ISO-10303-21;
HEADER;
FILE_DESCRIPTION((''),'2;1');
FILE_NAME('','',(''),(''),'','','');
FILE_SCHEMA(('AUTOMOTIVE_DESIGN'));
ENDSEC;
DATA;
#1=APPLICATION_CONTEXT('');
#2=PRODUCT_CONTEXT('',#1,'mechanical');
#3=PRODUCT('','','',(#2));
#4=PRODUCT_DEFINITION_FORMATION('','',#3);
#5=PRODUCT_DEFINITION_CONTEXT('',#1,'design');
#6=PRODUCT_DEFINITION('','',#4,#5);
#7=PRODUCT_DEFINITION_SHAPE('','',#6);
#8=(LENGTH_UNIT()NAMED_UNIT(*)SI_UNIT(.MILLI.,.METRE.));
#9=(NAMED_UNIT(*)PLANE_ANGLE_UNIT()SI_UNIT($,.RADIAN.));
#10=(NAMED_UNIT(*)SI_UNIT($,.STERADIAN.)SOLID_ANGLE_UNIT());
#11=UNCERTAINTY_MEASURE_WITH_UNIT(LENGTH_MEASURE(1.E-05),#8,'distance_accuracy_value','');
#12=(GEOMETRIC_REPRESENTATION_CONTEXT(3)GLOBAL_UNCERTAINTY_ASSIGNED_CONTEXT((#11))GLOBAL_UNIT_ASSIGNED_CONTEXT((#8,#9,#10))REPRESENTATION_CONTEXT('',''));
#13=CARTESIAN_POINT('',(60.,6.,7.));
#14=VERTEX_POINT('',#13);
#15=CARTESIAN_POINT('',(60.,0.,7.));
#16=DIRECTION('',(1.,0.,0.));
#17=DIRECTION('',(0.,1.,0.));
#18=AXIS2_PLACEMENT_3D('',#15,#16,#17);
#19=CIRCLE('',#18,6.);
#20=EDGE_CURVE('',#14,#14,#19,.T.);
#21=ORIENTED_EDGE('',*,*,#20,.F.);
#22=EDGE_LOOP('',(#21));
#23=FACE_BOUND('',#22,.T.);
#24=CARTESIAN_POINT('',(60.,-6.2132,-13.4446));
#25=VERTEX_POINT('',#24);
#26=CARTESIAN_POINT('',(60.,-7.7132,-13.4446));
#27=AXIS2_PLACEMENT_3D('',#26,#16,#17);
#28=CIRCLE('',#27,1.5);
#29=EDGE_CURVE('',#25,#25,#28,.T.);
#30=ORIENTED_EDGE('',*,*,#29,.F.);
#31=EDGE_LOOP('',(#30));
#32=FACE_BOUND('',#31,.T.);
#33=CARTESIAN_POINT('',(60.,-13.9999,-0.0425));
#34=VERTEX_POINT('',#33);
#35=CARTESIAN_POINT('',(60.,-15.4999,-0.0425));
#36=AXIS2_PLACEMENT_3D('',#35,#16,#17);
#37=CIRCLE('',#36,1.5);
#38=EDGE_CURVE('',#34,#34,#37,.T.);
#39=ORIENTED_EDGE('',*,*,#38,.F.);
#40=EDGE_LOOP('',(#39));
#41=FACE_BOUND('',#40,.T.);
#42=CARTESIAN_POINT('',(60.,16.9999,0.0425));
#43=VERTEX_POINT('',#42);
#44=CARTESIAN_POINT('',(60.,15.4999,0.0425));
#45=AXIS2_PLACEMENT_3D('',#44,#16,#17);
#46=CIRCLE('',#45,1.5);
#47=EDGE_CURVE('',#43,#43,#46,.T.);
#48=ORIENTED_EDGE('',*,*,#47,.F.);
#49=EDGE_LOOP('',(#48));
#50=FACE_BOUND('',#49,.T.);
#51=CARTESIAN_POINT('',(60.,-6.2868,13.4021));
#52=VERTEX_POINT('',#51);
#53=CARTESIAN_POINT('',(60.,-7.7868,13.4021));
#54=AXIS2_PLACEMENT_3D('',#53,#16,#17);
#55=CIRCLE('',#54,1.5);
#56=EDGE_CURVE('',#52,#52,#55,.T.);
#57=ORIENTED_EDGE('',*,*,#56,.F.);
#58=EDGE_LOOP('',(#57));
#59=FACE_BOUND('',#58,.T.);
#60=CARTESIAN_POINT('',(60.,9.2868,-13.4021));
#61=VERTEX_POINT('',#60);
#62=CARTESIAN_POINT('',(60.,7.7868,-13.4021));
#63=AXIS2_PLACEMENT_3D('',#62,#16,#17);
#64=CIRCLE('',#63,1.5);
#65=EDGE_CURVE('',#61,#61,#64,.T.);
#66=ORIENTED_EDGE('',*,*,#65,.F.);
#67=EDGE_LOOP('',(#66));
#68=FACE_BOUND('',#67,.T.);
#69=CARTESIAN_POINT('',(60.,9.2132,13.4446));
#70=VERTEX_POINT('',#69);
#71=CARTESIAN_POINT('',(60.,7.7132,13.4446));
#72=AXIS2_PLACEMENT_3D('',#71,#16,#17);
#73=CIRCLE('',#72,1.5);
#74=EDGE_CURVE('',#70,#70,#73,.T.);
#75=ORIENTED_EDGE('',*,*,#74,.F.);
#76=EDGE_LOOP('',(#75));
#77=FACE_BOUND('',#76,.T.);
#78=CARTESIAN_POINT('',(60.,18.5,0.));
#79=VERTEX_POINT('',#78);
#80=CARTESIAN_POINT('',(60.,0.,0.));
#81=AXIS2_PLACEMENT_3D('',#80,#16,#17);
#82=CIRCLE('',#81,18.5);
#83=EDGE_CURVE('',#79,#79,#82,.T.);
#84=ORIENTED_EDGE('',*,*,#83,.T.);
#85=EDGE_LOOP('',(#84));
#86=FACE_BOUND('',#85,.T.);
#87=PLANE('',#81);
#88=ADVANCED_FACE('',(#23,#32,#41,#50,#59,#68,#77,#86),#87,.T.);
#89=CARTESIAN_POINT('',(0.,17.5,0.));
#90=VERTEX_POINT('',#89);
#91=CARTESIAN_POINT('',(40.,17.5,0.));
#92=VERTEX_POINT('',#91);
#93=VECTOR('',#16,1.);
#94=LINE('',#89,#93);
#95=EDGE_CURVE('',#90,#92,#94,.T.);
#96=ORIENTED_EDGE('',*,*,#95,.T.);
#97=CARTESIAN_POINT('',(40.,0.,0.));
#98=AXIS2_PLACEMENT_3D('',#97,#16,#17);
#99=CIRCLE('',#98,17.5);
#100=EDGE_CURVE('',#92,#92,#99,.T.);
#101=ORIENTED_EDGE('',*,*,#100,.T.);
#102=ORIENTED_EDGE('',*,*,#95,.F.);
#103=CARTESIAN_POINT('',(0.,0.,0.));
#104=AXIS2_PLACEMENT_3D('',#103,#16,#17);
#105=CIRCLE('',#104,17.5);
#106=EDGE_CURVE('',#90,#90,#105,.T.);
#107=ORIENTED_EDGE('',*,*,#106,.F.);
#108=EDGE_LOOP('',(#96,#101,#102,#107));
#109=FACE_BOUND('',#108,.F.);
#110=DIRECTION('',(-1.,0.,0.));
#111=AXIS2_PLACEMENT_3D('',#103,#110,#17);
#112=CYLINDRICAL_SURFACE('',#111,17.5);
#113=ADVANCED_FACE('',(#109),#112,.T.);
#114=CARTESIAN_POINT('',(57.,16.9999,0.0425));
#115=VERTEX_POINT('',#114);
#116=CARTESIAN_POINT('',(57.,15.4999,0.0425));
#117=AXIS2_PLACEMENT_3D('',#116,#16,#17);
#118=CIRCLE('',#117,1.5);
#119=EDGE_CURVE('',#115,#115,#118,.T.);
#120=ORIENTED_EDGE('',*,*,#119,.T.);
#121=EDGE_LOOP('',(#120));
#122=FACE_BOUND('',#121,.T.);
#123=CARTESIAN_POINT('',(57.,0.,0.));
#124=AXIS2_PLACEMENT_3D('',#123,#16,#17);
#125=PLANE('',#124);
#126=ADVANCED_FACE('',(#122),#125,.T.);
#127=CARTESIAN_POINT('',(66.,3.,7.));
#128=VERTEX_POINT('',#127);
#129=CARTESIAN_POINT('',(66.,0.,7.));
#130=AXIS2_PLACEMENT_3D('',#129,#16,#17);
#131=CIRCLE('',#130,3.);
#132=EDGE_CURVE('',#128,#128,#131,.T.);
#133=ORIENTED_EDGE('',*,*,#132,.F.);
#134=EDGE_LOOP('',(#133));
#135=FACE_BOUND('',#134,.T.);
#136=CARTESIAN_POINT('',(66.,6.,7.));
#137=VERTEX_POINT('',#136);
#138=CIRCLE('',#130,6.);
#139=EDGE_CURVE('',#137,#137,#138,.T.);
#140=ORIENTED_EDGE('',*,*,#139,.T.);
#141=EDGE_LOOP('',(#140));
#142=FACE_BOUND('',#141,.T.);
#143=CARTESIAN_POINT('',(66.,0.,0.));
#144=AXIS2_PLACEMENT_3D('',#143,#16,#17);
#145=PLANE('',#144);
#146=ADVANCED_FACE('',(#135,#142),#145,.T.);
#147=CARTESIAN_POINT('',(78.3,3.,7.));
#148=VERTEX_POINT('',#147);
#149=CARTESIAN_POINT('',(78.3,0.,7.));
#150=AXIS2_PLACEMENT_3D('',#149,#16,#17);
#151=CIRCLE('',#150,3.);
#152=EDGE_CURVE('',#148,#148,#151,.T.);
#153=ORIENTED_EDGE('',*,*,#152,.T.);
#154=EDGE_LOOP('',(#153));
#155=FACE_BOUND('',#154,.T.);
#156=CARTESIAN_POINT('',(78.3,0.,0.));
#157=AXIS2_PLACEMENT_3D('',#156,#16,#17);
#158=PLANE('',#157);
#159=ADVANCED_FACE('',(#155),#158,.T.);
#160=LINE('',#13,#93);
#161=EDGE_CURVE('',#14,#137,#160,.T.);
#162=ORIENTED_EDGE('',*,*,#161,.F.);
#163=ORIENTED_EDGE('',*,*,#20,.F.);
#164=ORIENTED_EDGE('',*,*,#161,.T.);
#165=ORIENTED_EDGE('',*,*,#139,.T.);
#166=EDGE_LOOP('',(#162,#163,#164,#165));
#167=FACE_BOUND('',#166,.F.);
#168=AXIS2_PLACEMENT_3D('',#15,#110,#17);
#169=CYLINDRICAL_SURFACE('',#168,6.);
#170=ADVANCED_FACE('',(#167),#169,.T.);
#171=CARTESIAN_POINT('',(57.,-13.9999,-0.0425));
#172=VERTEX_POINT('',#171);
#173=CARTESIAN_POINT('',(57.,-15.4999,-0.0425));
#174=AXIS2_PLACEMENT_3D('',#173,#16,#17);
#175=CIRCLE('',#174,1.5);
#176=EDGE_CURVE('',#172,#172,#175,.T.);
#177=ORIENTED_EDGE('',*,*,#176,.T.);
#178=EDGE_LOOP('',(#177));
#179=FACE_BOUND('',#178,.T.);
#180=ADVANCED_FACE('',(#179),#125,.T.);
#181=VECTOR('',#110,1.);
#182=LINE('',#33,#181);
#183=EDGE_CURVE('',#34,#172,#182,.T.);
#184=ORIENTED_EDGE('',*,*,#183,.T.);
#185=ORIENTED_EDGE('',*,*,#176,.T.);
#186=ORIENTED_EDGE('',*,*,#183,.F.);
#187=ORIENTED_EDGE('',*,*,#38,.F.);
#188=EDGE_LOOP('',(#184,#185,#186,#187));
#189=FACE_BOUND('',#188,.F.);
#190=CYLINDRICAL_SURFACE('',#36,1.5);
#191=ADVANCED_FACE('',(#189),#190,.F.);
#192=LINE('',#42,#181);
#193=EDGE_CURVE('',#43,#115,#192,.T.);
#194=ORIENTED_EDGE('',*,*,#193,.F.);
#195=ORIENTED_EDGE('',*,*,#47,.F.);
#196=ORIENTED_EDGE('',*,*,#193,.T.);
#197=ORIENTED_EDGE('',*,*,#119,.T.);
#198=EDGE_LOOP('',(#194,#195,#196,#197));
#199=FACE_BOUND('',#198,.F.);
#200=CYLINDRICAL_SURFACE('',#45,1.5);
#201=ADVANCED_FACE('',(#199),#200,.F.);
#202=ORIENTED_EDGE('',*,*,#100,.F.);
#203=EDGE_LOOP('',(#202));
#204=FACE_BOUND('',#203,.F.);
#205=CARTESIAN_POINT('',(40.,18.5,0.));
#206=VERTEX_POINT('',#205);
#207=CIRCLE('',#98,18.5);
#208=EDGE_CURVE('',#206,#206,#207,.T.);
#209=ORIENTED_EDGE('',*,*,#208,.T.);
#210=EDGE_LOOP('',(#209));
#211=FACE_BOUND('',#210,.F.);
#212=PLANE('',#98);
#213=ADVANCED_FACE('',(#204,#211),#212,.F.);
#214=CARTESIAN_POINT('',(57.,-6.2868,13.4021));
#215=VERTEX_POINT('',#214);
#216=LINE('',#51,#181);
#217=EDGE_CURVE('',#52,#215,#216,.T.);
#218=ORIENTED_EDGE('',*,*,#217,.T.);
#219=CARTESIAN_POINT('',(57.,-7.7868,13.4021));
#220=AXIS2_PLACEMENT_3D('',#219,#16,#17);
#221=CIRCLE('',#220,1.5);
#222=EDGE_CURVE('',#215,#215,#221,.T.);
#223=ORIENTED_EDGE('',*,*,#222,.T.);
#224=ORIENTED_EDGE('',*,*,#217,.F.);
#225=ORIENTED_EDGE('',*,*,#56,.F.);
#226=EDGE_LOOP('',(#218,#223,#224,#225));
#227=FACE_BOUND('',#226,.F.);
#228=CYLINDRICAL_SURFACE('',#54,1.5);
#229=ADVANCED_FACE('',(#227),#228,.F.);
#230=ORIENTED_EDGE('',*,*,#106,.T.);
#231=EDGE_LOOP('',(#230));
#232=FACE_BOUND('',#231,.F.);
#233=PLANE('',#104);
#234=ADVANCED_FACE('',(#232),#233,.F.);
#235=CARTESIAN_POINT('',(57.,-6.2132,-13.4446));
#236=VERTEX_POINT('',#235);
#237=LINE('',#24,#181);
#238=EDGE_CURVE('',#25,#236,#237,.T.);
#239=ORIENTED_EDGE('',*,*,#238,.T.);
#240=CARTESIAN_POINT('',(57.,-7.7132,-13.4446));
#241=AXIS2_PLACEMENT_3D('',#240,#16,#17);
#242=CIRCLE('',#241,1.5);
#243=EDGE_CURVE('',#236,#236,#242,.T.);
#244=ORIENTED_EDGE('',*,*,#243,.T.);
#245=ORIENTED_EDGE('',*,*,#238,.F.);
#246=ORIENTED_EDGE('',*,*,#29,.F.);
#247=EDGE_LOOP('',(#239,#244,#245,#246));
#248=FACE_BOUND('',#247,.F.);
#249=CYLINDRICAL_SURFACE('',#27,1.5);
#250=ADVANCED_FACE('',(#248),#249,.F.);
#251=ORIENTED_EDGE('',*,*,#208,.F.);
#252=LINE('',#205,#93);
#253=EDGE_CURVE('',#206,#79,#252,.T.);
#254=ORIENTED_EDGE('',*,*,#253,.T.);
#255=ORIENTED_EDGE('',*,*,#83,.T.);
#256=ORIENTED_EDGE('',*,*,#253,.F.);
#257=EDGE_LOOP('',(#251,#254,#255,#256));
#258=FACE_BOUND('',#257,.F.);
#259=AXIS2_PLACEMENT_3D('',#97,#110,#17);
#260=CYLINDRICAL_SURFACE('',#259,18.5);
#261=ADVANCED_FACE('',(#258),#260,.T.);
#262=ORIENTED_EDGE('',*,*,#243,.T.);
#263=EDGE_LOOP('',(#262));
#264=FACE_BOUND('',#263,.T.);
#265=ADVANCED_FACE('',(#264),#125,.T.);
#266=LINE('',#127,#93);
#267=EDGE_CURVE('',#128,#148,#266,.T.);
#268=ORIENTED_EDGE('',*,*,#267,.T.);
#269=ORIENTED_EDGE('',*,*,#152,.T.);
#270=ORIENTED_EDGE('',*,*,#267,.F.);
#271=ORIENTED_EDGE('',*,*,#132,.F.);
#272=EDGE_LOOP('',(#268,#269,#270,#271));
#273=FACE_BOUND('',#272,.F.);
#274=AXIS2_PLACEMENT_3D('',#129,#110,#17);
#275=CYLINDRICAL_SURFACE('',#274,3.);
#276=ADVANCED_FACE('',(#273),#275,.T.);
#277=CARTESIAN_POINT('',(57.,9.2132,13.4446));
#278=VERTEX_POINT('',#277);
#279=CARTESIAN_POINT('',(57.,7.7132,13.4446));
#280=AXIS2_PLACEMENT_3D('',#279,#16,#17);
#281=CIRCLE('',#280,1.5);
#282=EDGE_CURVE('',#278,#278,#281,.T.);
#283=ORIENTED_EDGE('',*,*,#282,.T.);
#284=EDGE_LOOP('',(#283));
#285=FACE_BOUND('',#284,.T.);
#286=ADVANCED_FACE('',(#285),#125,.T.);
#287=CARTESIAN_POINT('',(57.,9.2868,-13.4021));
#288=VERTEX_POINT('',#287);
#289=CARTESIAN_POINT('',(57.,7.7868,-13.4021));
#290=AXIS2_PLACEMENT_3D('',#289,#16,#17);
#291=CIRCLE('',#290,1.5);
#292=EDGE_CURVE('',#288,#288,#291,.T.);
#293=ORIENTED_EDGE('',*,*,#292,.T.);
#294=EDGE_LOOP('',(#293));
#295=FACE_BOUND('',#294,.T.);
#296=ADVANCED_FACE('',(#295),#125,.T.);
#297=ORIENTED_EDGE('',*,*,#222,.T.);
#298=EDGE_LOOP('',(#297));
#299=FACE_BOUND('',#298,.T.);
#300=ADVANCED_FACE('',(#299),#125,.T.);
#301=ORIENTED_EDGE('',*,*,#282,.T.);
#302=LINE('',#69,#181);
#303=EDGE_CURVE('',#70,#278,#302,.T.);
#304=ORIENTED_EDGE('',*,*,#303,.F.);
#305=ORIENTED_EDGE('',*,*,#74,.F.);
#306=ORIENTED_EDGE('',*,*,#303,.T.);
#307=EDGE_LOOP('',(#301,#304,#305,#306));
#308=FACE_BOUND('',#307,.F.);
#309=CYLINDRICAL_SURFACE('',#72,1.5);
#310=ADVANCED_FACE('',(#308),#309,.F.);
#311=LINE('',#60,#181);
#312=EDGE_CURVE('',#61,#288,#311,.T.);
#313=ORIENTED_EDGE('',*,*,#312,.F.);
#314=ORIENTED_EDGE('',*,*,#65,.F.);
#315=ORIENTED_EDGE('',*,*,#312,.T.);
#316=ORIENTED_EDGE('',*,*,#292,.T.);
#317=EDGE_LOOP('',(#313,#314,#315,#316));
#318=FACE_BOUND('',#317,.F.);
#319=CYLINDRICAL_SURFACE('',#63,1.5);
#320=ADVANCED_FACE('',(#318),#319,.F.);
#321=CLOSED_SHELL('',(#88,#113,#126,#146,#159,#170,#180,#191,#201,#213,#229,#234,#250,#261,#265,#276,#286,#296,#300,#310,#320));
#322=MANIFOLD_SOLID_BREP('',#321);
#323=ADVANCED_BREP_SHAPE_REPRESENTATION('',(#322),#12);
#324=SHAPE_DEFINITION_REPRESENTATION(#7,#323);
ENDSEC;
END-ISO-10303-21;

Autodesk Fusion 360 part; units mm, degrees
sketch "Sketch1" plane through (0, 0, 0) normal (1, 0, 0) x (0, 1, 0)
  circle A0 centre (0, 0) radius 17.5
  line L0 (0, 0) -> (0, 17.5)
  dimension "d1" = 35
extrude "Extrude1" add sketch "Sketch1" along normal blind 40
sketch "Sketch2" plane through (40, 0, 0) normal (1, 0, 0) x (0, 1, 0)
  circle A0 centre (0, 0) radius 17.5
  circle A1 centre (0, 0) radius 18.5
  point P0 (0, 7)
  dimension "d5" = 37
extrude "Extrude2" add sketch "Sketch2" along normal blind 20 contours A0 | A1
sketch "Sketch3" plane through (60, 0, 0) normal (1, 0, 0) x (0, 1, 0)
  circle A0 centre (0, 0) radius 18.5
  line L0 (0, 0) -> (0, 7)
  circle A1 centre (0, 7) radius 6
  circle A2 centre (0, 0) radius 15.5 construction
  line L1 (0, 0) -> (0, 15.5)
  circle A3 centre (-15.4999, -0.0425) radius 1.5
  circle A4 centre (-7.7132, -13.4446) radius 1.5
  circle A5 centre (7.7868, -13.4021) radius 1.5
  circle A6 centre (15.4999, 0.0425) radius 1.5
  circle A7 centre (7.7132, 13.4446) radius 1.5
  circle A8 centre (-7.7868, 13.4021) radius 1.5
  dimension "d8" = 12
  dimension "d9" = 31
  dimension "d10" = 3
  dimension "d12" = 360
extrude "Extrude3" cut sketch "Sketch3" against normal blind 3 contours A3 | A4 | A5 | A6 | A7 | A8
sketch "Sketch4" plane through (60, 0, 0) normal (1, 0, 0) x (0, 1, 0)
  circle A0 centre (7.7868, -13.4021) radius 1.5
  circle A1 centre (-7.7868, 13.4021) radius 1.5
  circle A2 centre (15.4999, 0.0425) radius 1.5
  circle A3 centre (-7.7132, -13.4446) radius 1.5
  circle A4 centre (-15.4999, -0.0425) radius 1.5
  circle A5 centre (7.7132, 13.4446) radius 1.5
  circle A6 centre (0, 0) radius 18.5
  circle A7 centre (0, 0) radius 18.5
  line L0 (0, 0) -> (0, 7) construction
  circle A8 centre (0, 7) radius 6
  dimension "d15" = 37
  dimension "d16" = 7
  dimension "d17" = 12
extrude "Extrude4" add sketch "Sketch4" along normal blind 6 contours A8
sketch "Sketch6" plane through (66, 0, 0) normal (1, 0, 0) x (0, 1, 0)
  circle A0 centre (0, 7) radius 6
  circle A1 centre (0, 7) radius 3
  dimension "d21" = 6
extrude "Extrude5" add sketch "Sketch6" along normal blind 12.3 contours A1
